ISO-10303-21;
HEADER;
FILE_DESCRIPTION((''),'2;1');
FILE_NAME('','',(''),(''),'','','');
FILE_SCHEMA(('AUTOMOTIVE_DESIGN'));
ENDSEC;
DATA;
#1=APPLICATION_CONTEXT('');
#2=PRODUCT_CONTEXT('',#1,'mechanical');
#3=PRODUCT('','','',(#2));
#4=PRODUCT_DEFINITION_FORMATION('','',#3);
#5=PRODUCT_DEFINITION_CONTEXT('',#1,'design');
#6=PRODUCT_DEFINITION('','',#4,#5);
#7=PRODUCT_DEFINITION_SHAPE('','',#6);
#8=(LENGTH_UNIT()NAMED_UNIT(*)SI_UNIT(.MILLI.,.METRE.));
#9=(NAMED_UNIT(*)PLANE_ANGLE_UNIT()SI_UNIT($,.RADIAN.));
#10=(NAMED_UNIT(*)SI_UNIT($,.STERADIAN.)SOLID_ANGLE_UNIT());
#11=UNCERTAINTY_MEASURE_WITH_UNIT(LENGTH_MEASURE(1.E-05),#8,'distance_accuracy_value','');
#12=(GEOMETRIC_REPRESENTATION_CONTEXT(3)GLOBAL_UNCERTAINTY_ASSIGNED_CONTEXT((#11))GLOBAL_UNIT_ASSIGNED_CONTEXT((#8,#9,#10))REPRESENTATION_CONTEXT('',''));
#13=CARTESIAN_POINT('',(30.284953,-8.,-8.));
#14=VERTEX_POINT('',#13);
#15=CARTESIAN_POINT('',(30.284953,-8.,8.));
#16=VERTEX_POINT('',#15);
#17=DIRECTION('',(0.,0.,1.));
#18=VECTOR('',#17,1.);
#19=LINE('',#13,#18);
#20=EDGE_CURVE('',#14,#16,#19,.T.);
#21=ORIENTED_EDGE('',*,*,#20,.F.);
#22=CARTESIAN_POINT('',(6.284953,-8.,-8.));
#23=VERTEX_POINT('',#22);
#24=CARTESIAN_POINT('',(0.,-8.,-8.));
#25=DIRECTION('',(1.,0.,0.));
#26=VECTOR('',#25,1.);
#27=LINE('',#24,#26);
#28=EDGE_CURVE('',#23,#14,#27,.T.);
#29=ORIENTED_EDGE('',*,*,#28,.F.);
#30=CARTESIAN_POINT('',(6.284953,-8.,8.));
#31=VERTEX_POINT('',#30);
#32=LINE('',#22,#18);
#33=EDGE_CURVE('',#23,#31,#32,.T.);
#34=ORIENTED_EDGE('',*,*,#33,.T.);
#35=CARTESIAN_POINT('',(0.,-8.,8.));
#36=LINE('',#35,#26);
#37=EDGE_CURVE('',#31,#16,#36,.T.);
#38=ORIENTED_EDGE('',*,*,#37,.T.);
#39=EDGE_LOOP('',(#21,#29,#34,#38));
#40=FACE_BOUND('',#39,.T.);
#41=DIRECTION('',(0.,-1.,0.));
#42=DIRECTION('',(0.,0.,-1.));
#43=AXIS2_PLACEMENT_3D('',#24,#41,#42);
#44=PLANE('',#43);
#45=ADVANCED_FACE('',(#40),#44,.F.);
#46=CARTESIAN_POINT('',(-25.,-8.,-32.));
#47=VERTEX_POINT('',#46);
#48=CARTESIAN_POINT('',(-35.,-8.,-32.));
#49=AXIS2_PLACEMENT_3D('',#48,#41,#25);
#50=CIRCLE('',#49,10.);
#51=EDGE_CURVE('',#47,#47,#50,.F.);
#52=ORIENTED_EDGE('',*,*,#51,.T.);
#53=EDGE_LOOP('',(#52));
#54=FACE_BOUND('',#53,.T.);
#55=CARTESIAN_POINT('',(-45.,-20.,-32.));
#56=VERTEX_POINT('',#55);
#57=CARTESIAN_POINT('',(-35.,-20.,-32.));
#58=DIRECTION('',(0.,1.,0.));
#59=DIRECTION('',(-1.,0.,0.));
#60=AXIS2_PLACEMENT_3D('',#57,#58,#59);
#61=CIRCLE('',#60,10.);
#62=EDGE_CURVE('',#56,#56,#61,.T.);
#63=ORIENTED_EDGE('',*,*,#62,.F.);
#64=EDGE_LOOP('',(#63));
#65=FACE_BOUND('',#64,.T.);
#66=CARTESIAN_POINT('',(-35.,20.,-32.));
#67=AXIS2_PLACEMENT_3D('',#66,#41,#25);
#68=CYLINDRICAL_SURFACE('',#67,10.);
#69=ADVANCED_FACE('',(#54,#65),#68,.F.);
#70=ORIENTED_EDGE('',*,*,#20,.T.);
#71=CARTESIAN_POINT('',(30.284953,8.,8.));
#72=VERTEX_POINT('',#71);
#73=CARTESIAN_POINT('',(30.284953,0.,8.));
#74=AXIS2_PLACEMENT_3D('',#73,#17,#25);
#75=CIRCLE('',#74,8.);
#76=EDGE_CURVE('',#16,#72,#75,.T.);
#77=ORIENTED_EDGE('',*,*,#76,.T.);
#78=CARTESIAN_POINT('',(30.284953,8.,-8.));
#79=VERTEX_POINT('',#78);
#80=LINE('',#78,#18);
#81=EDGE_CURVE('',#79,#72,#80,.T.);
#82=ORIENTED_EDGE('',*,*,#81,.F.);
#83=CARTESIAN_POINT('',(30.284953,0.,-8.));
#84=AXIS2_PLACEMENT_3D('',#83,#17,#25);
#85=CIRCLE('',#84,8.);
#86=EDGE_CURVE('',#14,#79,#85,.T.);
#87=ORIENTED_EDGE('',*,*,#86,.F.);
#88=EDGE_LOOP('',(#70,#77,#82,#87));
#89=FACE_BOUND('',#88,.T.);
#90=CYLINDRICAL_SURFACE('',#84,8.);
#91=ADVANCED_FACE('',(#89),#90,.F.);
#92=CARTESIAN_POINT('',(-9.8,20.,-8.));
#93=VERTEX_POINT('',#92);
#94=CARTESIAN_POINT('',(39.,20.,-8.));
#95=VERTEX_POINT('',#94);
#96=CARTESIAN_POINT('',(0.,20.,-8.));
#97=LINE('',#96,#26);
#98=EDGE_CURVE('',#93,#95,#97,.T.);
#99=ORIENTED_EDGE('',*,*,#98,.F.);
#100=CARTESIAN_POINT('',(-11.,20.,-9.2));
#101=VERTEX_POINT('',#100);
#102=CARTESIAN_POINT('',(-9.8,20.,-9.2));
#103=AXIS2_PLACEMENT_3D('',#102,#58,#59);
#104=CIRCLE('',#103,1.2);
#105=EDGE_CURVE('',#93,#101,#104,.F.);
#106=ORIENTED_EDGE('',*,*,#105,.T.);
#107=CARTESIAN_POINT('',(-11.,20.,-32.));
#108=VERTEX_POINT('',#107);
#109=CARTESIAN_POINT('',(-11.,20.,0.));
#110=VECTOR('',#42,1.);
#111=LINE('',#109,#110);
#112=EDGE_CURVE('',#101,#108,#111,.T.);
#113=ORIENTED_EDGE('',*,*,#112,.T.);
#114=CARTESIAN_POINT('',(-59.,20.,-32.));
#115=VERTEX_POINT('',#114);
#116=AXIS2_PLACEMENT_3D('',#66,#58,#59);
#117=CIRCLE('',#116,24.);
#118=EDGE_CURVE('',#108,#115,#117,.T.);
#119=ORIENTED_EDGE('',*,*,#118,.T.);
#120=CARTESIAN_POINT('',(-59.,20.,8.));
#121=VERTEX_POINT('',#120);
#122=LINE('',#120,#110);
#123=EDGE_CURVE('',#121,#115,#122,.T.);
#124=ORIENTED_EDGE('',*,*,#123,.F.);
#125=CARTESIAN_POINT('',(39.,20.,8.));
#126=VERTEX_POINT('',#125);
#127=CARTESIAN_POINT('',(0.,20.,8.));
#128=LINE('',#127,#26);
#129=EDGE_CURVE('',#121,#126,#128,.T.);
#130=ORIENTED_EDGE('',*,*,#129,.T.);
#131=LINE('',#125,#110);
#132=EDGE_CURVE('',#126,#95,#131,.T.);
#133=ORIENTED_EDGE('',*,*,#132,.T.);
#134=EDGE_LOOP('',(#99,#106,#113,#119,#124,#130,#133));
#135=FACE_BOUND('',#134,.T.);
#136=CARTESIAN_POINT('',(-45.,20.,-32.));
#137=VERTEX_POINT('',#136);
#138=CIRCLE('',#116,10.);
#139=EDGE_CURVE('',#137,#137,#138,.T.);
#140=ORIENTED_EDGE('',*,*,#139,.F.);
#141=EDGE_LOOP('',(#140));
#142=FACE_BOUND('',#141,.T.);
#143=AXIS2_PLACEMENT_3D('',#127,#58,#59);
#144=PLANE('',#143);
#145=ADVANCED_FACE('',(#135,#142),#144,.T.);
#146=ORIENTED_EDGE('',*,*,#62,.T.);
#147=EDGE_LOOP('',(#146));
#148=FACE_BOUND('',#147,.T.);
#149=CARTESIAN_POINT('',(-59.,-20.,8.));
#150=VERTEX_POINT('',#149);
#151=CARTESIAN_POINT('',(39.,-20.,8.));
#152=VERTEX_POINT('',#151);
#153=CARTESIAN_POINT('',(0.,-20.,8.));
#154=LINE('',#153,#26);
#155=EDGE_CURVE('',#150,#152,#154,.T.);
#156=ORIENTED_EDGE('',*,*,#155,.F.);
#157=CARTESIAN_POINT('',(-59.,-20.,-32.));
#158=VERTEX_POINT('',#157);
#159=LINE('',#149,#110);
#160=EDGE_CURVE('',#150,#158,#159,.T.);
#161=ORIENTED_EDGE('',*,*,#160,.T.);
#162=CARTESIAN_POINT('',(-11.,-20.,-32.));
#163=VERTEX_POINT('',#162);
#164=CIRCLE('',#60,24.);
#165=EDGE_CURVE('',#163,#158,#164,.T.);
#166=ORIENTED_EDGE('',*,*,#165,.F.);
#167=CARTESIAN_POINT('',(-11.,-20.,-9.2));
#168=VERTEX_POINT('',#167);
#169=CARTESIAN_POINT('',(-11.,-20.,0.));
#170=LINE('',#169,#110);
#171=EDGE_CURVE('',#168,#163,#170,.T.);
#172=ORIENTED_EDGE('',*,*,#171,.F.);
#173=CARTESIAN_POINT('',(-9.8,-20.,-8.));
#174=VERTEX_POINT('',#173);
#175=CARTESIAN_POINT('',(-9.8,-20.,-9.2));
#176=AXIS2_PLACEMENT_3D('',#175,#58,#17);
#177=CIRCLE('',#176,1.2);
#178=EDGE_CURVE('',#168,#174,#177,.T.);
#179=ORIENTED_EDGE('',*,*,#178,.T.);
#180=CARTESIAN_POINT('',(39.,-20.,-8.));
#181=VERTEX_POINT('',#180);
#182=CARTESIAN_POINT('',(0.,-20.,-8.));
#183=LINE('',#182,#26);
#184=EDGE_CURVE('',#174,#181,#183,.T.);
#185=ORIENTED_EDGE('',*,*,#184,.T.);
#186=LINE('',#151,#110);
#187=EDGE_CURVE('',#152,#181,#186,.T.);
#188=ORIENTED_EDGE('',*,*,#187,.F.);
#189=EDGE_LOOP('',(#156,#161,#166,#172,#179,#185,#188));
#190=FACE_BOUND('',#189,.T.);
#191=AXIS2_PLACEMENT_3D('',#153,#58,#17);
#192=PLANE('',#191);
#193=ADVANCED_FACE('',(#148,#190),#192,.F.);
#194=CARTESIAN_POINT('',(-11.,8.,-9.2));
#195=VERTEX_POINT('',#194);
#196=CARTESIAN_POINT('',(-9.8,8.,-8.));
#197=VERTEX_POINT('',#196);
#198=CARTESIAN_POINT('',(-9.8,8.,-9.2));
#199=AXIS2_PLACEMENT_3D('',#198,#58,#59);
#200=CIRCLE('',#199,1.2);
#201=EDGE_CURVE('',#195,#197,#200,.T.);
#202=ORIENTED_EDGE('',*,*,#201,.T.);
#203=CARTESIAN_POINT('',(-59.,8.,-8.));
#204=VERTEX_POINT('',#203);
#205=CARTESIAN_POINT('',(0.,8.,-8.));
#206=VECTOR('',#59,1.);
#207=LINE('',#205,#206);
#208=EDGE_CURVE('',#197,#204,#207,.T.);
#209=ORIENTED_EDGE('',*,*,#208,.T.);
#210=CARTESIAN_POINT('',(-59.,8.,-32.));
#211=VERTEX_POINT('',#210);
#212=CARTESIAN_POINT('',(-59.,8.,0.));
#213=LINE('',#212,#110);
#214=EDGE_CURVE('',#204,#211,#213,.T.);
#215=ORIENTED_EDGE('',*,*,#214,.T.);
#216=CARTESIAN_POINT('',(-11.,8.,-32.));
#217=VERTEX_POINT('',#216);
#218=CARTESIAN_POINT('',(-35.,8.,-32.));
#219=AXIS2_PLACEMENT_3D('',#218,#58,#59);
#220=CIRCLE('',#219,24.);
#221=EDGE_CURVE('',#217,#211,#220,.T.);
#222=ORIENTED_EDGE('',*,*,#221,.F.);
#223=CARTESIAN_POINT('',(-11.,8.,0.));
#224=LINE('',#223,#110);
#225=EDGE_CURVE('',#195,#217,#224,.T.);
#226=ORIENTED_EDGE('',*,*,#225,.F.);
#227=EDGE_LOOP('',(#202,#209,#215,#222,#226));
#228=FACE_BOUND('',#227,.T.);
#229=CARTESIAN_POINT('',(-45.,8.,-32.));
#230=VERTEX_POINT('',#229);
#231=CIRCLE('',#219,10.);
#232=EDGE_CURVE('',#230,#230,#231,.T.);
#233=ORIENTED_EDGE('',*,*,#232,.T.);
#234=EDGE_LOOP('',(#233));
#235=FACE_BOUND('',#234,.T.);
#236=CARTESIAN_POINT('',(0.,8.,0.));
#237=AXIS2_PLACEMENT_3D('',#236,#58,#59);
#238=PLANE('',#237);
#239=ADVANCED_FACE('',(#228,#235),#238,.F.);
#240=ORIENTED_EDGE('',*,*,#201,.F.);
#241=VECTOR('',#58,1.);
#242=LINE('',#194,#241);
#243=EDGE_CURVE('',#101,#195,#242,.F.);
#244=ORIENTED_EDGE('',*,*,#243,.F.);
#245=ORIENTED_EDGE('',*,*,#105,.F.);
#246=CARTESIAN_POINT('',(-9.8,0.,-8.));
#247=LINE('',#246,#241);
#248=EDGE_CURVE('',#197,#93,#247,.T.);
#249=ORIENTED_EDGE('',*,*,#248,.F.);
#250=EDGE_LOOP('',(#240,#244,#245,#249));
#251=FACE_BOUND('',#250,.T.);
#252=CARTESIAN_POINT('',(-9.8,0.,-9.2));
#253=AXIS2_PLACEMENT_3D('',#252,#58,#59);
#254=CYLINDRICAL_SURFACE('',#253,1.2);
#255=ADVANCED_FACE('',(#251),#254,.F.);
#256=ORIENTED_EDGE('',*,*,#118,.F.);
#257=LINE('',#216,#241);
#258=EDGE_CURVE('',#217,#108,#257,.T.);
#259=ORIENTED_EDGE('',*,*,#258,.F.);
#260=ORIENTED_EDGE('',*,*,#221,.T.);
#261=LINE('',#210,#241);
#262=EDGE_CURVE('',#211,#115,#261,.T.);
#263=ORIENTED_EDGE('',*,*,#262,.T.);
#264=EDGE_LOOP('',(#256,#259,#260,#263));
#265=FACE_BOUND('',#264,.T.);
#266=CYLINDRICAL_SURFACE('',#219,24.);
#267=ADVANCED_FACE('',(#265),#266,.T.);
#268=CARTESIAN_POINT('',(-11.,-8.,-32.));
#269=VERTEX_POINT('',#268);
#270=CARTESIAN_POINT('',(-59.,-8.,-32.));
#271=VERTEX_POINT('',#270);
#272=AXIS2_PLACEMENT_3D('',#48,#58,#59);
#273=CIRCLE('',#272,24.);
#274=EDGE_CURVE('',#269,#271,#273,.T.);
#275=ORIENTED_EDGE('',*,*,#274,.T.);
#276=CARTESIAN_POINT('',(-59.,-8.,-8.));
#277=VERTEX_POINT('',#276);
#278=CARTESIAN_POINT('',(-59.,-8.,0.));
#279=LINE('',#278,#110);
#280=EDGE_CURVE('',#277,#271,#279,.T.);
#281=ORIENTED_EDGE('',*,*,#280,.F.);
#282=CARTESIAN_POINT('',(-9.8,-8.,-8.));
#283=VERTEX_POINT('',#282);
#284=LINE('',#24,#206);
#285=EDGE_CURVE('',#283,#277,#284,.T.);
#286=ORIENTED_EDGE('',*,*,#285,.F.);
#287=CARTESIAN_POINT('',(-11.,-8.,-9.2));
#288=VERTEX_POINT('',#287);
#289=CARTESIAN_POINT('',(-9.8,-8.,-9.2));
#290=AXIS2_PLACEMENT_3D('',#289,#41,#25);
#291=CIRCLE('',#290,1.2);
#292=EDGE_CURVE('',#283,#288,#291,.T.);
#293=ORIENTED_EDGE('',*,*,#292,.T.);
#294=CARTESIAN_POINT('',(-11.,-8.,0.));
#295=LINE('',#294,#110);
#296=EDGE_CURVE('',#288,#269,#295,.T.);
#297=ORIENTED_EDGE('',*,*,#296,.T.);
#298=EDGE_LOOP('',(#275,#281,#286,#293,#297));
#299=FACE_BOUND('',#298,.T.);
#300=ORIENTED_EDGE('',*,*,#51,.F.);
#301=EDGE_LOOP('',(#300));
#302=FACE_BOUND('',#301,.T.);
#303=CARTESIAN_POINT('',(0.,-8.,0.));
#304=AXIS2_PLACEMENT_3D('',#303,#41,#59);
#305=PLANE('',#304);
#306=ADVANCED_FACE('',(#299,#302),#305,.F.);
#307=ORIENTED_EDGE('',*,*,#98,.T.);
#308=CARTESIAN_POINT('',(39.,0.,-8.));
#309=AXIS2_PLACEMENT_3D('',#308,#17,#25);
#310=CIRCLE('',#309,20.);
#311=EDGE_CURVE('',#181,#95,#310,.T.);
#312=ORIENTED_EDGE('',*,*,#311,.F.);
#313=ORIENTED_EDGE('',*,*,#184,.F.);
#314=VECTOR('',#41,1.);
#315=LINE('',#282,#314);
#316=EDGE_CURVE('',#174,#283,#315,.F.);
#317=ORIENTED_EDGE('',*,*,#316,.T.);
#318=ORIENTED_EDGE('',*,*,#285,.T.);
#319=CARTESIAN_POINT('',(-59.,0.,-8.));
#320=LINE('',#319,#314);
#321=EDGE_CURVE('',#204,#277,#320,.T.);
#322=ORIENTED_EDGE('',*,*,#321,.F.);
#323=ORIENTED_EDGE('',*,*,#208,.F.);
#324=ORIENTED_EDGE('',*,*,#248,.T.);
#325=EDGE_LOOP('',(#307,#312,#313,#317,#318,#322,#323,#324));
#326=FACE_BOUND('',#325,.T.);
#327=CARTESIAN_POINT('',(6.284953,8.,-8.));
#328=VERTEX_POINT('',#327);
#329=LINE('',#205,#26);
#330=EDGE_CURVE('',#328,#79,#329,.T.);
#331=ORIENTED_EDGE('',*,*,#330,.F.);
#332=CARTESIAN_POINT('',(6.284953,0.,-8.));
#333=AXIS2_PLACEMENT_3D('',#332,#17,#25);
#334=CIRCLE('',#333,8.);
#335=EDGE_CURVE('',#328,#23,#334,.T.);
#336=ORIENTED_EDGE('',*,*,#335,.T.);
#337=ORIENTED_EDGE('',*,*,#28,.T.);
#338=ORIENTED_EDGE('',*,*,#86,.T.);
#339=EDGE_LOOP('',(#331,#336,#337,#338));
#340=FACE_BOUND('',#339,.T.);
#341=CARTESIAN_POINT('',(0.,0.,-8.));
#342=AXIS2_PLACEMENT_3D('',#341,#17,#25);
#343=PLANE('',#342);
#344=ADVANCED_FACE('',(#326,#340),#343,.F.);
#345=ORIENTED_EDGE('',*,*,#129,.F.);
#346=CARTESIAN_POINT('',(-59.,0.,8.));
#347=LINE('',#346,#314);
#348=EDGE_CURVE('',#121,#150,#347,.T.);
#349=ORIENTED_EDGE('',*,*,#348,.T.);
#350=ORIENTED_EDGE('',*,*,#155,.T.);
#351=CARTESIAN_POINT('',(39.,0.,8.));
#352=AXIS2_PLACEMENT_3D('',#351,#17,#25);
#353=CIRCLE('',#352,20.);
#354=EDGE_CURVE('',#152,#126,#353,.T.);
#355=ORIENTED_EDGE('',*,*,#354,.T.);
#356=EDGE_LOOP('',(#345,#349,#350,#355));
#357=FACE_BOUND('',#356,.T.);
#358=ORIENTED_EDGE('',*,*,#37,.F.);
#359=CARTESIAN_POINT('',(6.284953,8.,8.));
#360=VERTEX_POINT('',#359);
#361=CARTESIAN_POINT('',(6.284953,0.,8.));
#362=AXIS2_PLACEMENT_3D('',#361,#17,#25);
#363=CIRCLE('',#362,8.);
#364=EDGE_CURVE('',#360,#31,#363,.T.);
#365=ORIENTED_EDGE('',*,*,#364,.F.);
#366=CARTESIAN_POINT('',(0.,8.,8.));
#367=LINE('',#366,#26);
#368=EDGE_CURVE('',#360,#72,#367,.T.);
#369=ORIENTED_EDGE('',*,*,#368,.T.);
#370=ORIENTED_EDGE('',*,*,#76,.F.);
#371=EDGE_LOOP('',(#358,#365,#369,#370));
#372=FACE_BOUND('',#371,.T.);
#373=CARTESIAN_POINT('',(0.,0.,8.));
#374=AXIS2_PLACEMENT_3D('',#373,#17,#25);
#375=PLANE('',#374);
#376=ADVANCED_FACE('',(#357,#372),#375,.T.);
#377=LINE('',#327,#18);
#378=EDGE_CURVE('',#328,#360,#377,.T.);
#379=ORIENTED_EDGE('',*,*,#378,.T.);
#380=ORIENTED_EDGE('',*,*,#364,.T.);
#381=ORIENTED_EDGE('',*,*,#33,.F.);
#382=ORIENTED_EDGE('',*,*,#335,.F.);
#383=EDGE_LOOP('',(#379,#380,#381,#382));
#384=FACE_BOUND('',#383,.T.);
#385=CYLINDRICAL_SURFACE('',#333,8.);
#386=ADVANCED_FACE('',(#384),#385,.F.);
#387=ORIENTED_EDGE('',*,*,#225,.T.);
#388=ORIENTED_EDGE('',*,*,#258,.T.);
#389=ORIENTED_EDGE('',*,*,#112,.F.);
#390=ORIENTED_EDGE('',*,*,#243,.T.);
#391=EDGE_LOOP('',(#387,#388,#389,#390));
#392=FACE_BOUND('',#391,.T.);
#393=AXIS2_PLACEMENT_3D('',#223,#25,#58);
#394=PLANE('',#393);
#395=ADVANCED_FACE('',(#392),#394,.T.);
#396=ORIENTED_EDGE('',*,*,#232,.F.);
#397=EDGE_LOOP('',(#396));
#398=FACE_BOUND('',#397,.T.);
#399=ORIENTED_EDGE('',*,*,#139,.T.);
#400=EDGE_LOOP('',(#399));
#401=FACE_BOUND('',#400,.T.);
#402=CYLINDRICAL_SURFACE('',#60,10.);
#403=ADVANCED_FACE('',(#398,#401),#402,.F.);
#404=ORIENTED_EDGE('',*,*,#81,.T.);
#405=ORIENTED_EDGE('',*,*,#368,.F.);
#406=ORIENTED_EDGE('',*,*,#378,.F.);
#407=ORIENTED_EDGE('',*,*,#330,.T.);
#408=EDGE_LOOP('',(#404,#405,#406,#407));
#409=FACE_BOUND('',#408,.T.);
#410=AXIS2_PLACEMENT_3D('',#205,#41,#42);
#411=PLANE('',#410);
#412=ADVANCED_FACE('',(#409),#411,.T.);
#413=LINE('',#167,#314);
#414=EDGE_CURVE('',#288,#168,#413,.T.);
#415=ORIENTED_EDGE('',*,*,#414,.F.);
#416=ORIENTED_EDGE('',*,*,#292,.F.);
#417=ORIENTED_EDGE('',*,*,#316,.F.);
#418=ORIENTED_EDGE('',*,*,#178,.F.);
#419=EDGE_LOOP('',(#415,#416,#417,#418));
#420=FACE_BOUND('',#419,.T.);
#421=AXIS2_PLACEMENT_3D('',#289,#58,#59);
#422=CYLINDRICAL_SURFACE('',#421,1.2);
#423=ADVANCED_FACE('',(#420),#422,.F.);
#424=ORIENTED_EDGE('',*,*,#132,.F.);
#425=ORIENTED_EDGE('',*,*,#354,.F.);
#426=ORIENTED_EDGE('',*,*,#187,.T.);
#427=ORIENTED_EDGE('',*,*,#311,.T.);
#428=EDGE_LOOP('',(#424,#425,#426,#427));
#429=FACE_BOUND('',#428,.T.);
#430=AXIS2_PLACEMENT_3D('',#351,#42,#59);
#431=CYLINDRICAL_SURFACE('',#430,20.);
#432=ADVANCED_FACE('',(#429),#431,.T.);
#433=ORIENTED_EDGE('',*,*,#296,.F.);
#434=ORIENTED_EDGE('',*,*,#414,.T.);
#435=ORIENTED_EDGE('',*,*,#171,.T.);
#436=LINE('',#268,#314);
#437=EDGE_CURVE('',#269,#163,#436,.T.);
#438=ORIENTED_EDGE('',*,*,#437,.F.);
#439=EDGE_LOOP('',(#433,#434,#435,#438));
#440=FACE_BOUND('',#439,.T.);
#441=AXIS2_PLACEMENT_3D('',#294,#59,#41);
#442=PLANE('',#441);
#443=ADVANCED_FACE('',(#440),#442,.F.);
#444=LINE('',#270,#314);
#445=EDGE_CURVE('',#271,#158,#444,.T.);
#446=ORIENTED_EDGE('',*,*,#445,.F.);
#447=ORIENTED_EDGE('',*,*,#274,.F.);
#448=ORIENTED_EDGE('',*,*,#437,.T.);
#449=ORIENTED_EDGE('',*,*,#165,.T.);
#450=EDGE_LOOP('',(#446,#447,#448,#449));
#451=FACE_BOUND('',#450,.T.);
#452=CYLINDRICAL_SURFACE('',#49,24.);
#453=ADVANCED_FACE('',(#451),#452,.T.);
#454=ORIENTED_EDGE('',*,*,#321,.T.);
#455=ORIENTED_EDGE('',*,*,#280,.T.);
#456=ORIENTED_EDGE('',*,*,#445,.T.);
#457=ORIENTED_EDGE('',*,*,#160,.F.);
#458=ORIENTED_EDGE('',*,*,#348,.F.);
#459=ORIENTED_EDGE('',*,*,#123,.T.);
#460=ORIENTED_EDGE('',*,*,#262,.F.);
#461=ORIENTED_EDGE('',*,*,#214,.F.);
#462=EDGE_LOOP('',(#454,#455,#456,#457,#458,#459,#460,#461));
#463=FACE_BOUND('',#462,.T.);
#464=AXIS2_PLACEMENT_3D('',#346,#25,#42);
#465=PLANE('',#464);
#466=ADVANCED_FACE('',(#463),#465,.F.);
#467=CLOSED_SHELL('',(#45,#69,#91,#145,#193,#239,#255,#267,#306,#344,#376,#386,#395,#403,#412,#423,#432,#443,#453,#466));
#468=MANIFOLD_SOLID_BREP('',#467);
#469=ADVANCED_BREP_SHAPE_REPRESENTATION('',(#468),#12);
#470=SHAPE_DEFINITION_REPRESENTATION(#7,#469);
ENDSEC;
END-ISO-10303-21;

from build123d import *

# Parameters (mm, degrees)
SKETCH2_R           = 20
BOSS_EXTRUDE1_DEPTH = 8
CUT_EXTRUDE2_DEPTH  = 65.319514924
BOSS_EXTRUDE2_DEPTH = 12
SKETCH6_R           = 10
CUT_EXTRUDE3_DEPTH  = 91.647669578
FILLET2_R           = 1.2
FILLET3_R           = 1.2


with BuildPart() as part:
    # Sketch2 → Boss-Extrude1 (new, symmetric)
    with BuildSketch(Plane.XY):
        with BuildLine():
            Line((39, 20), (-59, 20))
            Line((-59, 20), (-59, -20))
            Line((-59, -20), (39, -20))
            ThreePointArc((39, -20), (19, 0), (39, 20))
        make_face()
        with Locations((39, 0)):
            Circle(SKETCH2_R)
    extrude(amount=BOSS_EXTRUDE1_DEPTH, both=True)

    # Sketch3 → Cut-Extrude2 (cut, through all)
    with BuildSketch(Plane.XY.offset(8)):
        with BuildLine():
            ThreePointArc((14.284953176, 0), (11.941807426, 5.656854249), (6.284953176, 8))
            Line((6.284953176, 8), (6.284953176, -8))
            ThreePointArc((6.284953176, -8), (11.941807426, -5.656854249), (14.284953176, 0))
        make_face()
        with BuildLine():
            Line((6.284953176, -8), (6.284953176, 8))
            ThreePointArc((6.284953176, 8), (-1.715046824, 0), (6.284953176, -8))
        make_face()
        with BuildLine():
            Line((30.284953176, 8), (6.284953176, 8))
            ThreePointArc((6.284953176, 8), (11.941807426, 5.656854249), (14.284953176, 0))
            ThreePointArc((14.284953176, 0), (11.941807426, -5.656854249), (6.284953176, -8))
            Line((6.284953176, -8), (30.284953176, -8))
            ThreePointArc((30.284953176, -8), (22.284953176, 0), (30.284953176, 8))
        make_face()
        with BuildLine():
            ThreePointArc((38.284953176, 0), (35.941807426, 5.656854249), (30.284953176, 8))
            Line((30.284953176, 8), (30.284953176, -8))
            ThreePointArc((30.284953176, -8), (35.941807426, -5.656854249), (38.284953176, 0))
        make_face()
        with BuildLine():
            Line((30.284953176, -8), (30.284953176, 8))
            ThreePointArc((30.284953176, 8), (22.284953176, 0), (30.284953176, -8))
        make_face()
    extrude(amount=-CUT_EXTRUDE2_DEPTH, mode=Mode.SUBTRACT)

    # Sketch5 → Boss-Extrude2 (add)
    with BuildSketch(Plane(origin=(0, 20, 0), x_dir=(1, 0, 0), z_dir=(0, 1, 0))):
        with BuildLine():
            ThreePointArc((-59, 32), (-51.970562748, 15.029437252), (-35, 8))
            ThreePointArc((-35, 8), (-18.029437252, 15.029437252), (-11, 32))
            Line((-11, 32), (-59, 32))
        make_face()
        with BuildLine():
            ThreePointArc((-11, 32), (-35, 56), (-59, 32))
            Line((-59, 32), (-11, 32))
        make_face()
        with BuildLine():
            Line((-59, 32), (-59, 8))
            Line((-59, 8), (-35, 8))
            ThreePointArc((-35, 8), (-51.970562748, 15.029437252), (-59, 32))
        make_face()
        with BuildLine():
            ThreePointArc((-11, 32), (-18.029437252, 15.029437252), (-35, 8))
            Line((-35, 8), (-11, 8))
            Line((-11, 8), (-11, 32))
        make_face()
    boss_extrude2 = extrude(amount=-BOSS_EXTRUDE2_DEPTH)

    # Sketch6 → Cut-Extrude3 (cut, through all)
    with BuildSketch(Plane(origin=(0, 20, 0), x_dir=(1, 0, 0), z_dir=(0, 1, 0))):
        with Locations(Location((-35, 32, 0), (0, 0, 180))):
            Circle(SKETCH6_R)
    cut_extrude3 = extrude(amount=-CUT_EXTRUDE3_DEPTH, mode=Mode.SUBTRACT)

    # Mirror1: Boss-Extrude2, Cut-Extrude3 across plane
    add(boss_extrude2.mirror(Plane.ZX))
    add(cut_extrude3.mirror(Plane.ZX), mode=Mode.SUBTRACT)

    # Fillet2
    fillet2_edges = [part.edges().sort_by_distance(p)[0] for p in [
        (-11, 14, -8),
    ]]
    fillet(fillet2_edges, radius=FILLET2_R)

    # Fillet3
    fillet3_edges = [part.edges().sort_by_distance(p)[0] for p in [
        (-11, -14, -8),
    ]]
    fillet(fillet3_edges, radius=FILLET3_R)


solid = part.part
